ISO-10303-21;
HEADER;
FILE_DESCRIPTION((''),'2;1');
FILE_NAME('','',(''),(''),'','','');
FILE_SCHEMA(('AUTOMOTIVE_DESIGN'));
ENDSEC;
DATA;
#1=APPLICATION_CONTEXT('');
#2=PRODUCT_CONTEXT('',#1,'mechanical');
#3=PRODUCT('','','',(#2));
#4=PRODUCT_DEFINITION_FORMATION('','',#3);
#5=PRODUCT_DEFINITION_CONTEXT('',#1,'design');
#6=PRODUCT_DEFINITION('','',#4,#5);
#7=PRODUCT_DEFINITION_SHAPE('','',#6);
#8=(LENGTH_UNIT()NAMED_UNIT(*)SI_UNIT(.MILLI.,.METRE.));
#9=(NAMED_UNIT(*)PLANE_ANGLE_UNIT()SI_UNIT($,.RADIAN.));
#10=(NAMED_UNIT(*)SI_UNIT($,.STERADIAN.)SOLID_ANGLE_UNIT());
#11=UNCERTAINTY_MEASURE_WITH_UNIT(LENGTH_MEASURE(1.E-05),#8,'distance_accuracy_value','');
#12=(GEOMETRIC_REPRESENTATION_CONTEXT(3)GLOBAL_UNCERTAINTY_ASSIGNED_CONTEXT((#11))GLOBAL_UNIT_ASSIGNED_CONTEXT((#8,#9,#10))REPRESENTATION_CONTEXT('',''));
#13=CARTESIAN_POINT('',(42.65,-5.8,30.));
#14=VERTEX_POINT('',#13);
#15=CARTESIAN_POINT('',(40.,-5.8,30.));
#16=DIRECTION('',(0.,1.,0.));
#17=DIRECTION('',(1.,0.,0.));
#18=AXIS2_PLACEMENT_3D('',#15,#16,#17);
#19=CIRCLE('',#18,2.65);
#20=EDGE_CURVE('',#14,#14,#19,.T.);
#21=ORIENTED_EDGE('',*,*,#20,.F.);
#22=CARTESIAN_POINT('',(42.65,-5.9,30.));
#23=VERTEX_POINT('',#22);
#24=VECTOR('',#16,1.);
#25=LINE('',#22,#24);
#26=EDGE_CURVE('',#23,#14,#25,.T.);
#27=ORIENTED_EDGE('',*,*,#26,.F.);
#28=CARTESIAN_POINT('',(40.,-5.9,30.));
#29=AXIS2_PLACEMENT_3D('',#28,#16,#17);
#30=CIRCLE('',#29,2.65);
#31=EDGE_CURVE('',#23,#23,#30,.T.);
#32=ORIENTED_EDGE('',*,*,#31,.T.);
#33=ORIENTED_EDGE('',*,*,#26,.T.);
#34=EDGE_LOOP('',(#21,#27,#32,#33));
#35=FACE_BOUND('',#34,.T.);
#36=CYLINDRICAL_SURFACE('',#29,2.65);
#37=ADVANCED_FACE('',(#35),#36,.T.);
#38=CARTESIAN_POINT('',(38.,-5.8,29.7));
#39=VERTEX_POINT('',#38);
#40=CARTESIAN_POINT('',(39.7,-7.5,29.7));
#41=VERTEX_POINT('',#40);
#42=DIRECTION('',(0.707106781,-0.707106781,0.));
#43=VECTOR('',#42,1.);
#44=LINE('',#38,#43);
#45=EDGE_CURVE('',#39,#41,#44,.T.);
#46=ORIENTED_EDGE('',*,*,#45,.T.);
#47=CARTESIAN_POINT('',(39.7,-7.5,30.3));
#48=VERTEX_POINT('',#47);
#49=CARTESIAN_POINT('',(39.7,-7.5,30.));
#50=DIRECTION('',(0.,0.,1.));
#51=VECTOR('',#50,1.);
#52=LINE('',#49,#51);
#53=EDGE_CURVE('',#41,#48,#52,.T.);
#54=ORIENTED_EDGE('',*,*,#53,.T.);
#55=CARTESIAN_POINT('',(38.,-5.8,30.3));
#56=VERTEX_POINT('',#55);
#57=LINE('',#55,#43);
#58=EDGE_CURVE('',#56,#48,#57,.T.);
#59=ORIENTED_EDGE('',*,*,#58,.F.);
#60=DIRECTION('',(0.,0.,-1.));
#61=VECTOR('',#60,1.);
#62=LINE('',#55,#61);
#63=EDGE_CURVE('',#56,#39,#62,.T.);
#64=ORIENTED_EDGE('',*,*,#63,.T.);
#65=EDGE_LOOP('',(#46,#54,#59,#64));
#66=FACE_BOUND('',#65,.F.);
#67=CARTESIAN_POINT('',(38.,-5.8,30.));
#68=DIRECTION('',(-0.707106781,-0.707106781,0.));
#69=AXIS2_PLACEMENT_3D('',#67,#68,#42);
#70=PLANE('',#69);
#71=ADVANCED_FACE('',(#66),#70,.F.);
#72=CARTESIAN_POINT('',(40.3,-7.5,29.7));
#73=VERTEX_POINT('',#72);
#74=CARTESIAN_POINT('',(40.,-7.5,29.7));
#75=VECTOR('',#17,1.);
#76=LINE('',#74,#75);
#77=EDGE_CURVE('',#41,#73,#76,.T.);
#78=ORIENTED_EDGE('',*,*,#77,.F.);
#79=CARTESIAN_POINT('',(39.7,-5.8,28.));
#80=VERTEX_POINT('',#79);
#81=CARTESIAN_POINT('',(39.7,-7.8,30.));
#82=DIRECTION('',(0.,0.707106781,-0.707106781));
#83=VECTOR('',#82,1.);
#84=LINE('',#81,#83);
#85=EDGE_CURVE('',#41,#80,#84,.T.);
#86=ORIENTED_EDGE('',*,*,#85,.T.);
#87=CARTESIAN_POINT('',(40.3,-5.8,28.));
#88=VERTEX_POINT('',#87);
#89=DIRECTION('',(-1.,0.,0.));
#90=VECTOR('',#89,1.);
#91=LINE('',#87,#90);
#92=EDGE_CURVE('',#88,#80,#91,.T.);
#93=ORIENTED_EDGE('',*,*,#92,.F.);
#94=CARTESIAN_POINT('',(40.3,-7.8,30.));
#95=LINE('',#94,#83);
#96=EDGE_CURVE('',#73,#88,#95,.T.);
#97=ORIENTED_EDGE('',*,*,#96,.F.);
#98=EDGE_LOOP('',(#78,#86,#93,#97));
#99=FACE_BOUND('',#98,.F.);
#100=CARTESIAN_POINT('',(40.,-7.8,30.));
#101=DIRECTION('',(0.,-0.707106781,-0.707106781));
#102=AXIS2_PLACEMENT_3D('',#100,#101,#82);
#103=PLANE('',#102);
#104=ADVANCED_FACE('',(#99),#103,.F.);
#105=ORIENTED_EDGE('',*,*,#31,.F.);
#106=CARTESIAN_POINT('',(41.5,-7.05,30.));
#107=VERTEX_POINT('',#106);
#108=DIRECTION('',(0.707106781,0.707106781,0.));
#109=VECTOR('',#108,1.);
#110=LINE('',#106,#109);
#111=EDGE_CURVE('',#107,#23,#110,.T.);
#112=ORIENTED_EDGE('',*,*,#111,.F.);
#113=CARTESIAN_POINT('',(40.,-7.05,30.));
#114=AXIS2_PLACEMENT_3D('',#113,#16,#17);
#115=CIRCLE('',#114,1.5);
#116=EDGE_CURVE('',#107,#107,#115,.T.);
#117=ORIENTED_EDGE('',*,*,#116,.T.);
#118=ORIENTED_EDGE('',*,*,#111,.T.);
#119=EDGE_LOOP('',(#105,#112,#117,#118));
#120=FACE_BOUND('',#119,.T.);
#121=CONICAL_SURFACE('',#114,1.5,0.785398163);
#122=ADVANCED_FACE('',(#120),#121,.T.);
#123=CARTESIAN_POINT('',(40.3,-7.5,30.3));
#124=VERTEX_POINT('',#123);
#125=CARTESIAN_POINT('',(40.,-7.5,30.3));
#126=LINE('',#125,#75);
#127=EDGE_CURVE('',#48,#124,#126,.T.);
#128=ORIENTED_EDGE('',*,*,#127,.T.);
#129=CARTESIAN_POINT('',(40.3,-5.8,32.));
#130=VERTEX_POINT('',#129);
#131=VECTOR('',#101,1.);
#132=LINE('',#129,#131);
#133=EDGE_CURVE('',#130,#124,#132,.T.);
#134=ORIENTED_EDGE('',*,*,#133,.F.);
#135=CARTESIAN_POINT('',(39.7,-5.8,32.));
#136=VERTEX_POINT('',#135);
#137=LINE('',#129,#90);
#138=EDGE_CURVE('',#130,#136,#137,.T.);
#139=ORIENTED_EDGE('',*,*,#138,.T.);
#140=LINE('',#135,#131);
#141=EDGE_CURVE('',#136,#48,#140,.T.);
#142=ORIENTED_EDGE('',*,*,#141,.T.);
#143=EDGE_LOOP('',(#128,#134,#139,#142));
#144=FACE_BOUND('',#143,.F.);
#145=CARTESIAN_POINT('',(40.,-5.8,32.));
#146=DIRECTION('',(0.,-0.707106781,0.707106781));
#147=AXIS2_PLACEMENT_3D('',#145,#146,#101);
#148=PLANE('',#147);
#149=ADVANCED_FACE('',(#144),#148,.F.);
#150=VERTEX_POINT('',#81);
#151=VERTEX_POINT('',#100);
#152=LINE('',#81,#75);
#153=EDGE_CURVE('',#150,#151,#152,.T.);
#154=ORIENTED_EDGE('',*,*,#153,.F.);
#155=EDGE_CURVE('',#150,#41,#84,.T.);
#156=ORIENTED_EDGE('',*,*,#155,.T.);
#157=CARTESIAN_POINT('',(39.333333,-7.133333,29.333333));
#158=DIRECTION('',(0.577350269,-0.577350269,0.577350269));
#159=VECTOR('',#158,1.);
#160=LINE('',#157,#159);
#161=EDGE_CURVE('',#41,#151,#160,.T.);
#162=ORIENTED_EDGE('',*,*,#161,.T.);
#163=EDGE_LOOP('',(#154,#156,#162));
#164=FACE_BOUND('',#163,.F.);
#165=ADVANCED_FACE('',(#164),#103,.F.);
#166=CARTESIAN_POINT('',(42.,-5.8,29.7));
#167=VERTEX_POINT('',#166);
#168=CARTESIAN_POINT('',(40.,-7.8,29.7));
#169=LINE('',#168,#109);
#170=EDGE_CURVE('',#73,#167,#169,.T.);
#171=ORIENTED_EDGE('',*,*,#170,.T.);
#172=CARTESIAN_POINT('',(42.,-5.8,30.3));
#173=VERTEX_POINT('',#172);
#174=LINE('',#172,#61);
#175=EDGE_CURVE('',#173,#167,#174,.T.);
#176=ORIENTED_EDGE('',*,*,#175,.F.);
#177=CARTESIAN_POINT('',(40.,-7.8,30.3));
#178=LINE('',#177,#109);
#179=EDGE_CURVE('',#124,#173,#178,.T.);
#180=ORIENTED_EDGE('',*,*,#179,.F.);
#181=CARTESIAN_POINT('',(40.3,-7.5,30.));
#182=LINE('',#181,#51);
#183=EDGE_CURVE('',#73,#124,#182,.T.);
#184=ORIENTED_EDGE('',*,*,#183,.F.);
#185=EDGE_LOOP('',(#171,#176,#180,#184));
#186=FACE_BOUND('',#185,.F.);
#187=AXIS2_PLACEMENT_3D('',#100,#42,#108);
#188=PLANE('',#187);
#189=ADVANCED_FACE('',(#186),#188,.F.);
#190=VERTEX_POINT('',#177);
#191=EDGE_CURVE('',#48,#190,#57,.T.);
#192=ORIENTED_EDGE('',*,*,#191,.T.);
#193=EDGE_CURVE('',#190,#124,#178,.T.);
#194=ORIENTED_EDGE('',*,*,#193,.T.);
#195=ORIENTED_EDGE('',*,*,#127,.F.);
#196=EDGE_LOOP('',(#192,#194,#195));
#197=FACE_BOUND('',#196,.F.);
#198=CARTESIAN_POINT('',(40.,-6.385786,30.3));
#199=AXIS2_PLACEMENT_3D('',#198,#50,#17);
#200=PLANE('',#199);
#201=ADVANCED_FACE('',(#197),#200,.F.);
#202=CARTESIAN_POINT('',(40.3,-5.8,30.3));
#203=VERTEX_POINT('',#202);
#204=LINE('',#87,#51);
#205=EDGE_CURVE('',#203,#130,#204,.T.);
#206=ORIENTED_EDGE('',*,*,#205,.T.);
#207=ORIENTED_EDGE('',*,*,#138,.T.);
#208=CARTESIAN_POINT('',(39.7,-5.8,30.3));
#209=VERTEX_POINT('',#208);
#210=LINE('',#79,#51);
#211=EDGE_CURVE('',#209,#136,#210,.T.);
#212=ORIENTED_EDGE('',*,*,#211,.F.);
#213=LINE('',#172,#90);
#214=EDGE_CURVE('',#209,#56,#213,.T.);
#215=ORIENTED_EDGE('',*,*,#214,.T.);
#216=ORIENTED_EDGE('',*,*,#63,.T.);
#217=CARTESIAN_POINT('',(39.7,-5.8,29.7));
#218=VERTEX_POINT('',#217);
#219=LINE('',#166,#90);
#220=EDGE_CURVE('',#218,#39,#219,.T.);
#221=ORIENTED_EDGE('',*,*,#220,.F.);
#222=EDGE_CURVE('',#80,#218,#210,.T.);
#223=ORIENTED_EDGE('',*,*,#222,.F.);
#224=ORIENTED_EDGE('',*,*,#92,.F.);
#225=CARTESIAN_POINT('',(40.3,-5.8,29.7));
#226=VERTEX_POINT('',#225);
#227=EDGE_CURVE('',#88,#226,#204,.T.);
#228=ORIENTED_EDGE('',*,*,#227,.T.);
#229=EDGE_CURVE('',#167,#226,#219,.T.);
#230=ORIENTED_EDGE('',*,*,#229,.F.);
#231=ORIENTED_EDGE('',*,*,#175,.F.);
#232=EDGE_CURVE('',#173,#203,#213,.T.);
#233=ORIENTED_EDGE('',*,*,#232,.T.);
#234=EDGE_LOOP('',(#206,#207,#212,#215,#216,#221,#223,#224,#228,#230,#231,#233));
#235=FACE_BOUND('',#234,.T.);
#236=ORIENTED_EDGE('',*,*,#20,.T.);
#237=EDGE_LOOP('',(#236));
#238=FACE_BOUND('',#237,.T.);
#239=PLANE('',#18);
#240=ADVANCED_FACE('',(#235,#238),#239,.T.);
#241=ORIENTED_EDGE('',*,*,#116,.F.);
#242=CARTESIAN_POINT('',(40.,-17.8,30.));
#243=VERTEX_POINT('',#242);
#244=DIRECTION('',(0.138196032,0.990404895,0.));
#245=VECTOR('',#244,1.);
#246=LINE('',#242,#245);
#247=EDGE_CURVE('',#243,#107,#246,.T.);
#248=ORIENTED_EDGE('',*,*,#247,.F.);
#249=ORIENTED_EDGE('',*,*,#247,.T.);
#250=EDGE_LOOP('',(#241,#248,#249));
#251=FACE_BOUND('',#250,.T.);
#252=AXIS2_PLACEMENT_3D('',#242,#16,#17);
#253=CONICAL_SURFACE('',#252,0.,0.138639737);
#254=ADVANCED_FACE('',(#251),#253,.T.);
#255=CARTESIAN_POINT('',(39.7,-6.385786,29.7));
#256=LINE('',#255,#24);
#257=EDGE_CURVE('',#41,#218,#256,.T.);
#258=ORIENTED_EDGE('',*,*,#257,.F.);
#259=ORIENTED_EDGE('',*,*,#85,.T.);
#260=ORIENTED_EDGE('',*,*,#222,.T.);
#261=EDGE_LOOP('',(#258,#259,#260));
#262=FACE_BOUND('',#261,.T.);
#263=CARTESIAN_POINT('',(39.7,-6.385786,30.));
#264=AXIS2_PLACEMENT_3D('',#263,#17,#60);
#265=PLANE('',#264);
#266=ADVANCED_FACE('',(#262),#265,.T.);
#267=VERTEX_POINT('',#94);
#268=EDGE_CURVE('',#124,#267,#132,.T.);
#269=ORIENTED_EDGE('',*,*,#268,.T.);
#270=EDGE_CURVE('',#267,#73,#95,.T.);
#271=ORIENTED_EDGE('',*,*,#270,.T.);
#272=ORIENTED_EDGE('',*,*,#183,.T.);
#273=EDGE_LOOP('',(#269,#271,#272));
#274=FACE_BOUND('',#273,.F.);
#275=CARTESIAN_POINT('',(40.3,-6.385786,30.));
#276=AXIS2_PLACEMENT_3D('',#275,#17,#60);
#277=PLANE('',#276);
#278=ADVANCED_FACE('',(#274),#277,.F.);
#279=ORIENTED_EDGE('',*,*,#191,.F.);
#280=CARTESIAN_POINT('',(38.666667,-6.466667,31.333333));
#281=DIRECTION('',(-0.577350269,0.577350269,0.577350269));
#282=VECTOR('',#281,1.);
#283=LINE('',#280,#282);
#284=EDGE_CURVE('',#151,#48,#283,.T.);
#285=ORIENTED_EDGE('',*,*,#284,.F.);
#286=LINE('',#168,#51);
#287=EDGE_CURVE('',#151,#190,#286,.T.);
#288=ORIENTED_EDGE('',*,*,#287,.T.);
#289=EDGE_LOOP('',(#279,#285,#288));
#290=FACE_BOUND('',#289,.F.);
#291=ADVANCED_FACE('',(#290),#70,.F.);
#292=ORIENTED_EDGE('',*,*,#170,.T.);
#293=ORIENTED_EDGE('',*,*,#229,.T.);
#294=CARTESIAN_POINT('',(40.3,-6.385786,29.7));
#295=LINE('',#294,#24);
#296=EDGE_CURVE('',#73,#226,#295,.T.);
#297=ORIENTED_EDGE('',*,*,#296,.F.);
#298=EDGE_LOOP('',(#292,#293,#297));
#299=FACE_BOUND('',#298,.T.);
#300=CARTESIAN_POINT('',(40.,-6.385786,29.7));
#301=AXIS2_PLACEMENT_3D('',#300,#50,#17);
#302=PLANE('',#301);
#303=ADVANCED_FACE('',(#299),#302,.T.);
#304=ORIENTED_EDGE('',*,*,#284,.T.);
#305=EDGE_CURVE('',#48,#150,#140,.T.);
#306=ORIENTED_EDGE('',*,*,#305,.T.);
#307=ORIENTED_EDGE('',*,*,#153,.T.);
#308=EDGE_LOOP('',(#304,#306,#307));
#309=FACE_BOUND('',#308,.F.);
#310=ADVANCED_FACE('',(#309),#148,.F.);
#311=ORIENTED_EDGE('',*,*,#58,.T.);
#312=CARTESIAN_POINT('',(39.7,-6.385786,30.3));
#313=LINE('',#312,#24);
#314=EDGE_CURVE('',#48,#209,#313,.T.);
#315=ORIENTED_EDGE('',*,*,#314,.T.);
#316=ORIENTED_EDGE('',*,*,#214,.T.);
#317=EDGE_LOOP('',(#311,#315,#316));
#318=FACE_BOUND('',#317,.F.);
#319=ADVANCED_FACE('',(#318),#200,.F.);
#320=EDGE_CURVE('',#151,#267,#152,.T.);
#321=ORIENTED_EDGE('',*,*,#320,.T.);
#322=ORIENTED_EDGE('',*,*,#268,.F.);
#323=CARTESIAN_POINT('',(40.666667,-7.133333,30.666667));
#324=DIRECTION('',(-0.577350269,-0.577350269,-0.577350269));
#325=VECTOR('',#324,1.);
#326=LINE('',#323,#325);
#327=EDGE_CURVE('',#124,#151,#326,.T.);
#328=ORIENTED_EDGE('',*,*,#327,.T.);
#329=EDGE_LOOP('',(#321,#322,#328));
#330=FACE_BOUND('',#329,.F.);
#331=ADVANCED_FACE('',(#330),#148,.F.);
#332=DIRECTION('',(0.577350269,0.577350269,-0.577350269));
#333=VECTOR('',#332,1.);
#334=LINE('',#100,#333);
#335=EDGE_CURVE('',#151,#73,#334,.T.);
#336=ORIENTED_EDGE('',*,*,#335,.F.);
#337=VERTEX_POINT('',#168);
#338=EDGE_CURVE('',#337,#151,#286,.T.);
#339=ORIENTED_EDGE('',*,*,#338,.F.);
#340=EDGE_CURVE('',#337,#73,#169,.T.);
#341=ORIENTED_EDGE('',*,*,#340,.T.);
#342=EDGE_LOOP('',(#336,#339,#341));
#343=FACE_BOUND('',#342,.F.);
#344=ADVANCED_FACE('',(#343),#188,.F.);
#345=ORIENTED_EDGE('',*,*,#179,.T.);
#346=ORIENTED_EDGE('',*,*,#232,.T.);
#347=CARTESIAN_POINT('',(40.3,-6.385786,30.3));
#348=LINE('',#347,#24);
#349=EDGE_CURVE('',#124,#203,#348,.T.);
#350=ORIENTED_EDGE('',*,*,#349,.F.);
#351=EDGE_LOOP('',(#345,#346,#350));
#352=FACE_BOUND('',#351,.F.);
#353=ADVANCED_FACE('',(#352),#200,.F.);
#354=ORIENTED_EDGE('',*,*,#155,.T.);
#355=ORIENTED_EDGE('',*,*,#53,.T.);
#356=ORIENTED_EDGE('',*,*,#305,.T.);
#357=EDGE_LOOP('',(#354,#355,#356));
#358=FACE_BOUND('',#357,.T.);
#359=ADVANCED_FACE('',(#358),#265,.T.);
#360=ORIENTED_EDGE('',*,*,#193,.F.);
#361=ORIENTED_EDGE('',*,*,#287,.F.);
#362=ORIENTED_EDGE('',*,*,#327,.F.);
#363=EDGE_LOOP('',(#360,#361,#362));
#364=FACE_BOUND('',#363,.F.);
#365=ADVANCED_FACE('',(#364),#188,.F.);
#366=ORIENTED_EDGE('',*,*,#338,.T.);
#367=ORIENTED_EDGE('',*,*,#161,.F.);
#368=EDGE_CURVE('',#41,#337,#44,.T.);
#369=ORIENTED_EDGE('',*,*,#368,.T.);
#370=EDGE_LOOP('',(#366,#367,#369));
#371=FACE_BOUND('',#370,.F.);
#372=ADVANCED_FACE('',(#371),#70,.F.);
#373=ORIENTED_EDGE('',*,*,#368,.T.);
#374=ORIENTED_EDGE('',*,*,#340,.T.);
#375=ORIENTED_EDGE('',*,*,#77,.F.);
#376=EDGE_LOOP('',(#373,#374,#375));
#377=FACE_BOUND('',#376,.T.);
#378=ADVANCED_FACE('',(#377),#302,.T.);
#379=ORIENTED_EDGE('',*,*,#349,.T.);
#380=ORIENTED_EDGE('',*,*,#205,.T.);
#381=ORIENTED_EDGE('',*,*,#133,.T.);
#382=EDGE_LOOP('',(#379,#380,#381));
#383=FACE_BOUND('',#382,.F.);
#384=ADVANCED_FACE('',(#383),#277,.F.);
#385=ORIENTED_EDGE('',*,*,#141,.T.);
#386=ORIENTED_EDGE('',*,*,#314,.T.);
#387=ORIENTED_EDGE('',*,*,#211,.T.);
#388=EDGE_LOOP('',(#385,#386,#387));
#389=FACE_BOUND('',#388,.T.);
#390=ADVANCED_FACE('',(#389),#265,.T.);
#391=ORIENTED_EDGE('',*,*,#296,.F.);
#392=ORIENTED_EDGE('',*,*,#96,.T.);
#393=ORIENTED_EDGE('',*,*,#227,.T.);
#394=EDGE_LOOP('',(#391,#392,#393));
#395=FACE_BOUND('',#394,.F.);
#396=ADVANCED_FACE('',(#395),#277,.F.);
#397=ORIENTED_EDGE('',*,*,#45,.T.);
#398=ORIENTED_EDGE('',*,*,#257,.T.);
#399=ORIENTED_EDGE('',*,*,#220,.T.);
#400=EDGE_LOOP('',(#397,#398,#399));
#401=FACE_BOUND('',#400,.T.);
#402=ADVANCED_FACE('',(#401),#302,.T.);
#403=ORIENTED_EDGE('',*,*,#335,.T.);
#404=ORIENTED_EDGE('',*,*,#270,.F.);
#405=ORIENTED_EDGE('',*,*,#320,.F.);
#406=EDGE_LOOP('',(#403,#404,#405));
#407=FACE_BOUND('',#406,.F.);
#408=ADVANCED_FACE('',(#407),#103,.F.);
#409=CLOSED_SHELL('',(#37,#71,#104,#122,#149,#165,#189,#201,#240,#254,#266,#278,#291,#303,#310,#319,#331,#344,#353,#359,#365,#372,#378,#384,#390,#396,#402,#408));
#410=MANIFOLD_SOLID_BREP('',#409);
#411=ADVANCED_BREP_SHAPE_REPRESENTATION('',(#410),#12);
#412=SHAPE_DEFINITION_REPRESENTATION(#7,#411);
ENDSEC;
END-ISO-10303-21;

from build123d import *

# Parameters (mm, degrees)
POCKET020_DEPTH         = 0.3
POLARPATTERN002_COUNT   = 2
POLARPATTERN002_ANGLE   = 90
BODY017_PLACEMENT_ANGLE = 90


with BuildPart() as part:
    # Sketch094 → Revolution005 (revolve)
    with BuildSketch(Plane.XZ):
        Polygon((0, 0), (0, -12), (1.5, -1.25), (2.65, -0.1), (2.65, 0), align=None)
    revolve(axis=Axis((0, 0, 0), (0, 0, 1)))

    # Sketch095 → Pocket020 (cut, symmetric)
    with BuildSketch(Plane.XZ):
        Polygon((-2, 0), (0, -2), (2, 0), align=None)
    pocket020 = extrude(amount=POCKET020_DEPTH, both=True, mode=Mode.SUBTRACT)

    # PolarPattern002: Pocket020 ×2 about axis
    polarpattern002_axis = Axis((0, 0, 0), (0, 0, 1))
    for i in range(1, POLARPATTERN002_COUNT):
        add(pocket020.rotate(polarpattern002_axis, i * POLARPATTERN002_ANGLE / (POLARPATTERN002_COUNT - 1)), mode=Mode.SUBTRACT)


with BuildPart() as part_1:
    # Body017 placement: moved
    add(part.part.moved(Location((40, -5.8, 30))).rotate(Axis((40, -5.8, 30), (-1, 0, 0)), BODY017_PLACEMENT_ANGLE))


solid = part_1.part
